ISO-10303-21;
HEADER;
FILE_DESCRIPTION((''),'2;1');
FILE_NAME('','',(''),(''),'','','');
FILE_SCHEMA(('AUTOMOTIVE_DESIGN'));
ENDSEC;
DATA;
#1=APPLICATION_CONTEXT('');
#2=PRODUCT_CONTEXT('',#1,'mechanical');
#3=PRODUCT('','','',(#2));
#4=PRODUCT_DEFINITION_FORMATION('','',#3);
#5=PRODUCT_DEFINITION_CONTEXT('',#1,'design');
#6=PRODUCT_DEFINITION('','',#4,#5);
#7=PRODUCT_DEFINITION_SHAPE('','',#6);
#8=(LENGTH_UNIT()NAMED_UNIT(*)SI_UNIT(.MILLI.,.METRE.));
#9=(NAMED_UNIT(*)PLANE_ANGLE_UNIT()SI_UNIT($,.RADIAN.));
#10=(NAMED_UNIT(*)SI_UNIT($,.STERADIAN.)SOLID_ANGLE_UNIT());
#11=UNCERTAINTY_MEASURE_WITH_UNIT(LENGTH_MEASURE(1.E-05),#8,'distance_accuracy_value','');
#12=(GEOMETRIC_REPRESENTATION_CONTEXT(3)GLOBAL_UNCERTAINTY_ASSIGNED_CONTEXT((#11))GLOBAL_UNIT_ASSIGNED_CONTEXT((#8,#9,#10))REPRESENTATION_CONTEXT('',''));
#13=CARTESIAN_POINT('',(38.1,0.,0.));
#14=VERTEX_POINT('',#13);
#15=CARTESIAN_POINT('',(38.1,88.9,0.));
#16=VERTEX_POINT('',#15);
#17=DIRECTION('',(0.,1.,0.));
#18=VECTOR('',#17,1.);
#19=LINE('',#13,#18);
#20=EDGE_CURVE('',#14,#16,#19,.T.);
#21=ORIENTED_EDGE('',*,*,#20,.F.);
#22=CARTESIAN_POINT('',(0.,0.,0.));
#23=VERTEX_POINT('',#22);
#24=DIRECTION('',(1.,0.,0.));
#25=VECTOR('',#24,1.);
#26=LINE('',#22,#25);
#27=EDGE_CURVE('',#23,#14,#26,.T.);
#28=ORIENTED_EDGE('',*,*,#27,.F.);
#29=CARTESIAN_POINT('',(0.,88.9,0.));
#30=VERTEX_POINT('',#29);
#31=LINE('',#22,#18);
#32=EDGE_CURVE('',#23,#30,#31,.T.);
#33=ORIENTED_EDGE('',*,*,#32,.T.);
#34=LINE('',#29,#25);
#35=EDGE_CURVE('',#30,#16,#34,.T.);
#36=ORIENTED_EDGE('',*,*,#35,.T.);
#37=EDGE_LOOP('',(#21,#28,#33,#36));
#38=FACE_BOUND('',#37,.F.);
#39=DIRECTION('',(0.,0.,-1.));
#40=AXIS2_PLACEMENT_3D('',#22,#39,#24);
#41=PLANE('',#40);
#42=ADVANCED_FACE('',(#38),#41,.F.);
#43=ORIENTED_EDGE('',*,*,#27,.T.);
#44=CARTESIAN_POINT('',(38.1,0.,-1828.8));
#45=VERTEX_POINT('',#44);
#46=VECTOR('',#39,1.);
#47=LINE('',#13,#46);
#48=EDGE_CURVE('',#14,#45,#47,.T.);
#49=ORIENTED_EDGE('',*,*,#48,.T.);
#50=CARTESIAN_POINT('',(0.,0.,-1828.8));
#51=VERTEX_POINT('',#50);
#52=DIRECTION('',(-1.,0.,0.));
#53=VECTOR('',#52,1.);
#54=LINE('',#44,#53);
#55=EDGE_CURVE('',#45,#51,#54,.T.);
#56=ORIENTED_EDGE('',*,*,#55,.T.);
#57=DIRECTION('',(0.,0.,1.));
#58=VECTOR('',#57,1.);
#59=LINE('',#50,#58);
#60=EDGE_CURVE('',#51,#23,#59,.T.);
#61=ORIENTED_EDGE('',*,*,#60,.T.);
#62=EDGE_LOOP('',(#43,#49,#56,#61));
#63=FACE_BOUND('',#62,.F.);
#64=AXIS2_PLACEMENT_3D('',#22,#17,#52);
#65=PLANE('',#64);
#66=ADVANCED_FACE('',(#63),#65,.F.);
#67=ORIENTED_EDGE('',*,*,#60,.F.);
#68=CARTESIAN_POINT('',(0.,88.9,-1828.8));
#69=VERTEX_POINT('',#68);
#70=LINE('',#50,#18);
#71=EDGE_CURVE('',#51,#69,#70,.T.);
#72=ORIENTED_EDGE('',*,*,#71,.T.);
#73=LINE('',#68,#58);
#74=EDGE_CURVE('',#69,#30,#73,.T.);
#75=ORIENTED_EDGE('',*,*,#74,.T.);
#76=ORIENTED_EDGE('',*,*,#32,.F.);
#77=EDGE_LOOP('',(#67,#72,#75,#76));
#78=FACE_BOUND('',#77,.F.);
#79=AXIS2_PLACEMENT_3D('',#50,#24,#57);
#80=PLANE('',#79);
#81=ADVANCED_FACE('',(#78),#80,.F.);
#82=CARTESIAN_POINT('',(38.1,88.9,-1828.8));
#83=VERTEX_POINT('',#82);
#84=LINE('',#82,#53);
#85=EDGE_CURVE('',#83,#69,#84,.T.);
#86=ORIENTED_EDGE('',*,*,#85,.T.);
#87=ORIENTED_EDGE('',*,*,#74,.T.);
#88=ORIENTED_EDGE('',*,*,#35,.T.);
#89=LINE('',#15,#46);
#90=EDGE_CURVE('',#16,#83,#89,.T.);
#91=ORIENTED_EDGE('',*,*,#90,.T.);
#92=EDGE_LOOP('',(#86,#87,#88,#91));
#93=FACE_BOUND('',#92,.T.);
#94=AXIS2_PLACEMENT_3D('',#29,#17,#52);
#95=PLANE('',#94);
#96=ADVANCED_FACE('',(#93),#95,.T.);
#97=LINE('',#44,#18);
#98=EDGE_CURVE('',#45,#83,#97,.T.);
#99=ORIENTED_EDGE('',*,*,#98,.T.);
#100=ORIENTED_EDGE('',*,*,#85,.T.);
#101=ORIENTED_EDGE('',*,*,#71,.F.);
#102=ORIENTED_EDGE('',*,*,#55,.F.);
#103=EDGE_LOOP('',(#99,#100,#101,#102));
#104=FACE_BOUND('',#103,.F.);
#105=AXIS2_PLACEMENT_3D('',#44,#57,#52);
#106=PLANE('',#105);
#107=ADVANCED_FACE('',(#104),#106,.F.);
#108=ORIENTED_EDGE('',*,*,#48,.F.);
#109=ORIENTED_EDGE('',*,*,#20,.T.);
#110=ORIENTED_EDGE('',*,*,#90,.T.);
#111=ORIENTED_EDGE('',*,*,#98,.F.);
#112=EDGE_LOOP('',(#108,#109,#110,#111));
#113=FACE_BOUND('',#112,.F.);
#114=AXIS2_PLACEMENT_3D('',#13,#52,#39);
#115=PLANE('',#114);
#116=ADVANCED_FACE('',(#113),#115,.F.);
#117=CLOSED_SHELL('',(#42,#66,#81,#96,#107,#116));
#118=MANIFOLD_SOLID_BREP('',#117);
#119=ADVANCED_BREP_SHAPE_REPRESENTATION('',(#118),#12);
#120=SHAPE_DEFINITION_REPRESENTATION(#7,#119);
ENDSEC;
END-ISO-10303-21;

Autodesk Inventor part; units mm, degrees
ref_plane "YZ Plane" through (0, 0, 0) normal (1, 0, 0) x (0, 1, 0)
ref_plane "XZ Plane" through (0, 0, 0) normal (0, 1, 0) x (-1, 0, 0)
ref_plane "XY Plane" through (0, 0, 0) normal (0, 0, 1) x (1, 0, 0)
sketch "Sketch1" plane through (0, 0, 0) normal (0, 1, 0) x (-1, 0, 0)
  line L0 (0, 0) -> (-38.1, 0)
  line L1 (-38.1, 0) -> (-38.1, -1828.8)
  line L2 (-38.1, -1828.8) -> (0, -1828.8)
  line L3 (0, -1828.8) -> (0, 0)
  dimension "d0" = 38.1
  dimension "d1" = 1828.8
extrude "Extrusion1" add sketch "Sketch1" along normal blind 88.9
properties part number "floor long 2x4"
